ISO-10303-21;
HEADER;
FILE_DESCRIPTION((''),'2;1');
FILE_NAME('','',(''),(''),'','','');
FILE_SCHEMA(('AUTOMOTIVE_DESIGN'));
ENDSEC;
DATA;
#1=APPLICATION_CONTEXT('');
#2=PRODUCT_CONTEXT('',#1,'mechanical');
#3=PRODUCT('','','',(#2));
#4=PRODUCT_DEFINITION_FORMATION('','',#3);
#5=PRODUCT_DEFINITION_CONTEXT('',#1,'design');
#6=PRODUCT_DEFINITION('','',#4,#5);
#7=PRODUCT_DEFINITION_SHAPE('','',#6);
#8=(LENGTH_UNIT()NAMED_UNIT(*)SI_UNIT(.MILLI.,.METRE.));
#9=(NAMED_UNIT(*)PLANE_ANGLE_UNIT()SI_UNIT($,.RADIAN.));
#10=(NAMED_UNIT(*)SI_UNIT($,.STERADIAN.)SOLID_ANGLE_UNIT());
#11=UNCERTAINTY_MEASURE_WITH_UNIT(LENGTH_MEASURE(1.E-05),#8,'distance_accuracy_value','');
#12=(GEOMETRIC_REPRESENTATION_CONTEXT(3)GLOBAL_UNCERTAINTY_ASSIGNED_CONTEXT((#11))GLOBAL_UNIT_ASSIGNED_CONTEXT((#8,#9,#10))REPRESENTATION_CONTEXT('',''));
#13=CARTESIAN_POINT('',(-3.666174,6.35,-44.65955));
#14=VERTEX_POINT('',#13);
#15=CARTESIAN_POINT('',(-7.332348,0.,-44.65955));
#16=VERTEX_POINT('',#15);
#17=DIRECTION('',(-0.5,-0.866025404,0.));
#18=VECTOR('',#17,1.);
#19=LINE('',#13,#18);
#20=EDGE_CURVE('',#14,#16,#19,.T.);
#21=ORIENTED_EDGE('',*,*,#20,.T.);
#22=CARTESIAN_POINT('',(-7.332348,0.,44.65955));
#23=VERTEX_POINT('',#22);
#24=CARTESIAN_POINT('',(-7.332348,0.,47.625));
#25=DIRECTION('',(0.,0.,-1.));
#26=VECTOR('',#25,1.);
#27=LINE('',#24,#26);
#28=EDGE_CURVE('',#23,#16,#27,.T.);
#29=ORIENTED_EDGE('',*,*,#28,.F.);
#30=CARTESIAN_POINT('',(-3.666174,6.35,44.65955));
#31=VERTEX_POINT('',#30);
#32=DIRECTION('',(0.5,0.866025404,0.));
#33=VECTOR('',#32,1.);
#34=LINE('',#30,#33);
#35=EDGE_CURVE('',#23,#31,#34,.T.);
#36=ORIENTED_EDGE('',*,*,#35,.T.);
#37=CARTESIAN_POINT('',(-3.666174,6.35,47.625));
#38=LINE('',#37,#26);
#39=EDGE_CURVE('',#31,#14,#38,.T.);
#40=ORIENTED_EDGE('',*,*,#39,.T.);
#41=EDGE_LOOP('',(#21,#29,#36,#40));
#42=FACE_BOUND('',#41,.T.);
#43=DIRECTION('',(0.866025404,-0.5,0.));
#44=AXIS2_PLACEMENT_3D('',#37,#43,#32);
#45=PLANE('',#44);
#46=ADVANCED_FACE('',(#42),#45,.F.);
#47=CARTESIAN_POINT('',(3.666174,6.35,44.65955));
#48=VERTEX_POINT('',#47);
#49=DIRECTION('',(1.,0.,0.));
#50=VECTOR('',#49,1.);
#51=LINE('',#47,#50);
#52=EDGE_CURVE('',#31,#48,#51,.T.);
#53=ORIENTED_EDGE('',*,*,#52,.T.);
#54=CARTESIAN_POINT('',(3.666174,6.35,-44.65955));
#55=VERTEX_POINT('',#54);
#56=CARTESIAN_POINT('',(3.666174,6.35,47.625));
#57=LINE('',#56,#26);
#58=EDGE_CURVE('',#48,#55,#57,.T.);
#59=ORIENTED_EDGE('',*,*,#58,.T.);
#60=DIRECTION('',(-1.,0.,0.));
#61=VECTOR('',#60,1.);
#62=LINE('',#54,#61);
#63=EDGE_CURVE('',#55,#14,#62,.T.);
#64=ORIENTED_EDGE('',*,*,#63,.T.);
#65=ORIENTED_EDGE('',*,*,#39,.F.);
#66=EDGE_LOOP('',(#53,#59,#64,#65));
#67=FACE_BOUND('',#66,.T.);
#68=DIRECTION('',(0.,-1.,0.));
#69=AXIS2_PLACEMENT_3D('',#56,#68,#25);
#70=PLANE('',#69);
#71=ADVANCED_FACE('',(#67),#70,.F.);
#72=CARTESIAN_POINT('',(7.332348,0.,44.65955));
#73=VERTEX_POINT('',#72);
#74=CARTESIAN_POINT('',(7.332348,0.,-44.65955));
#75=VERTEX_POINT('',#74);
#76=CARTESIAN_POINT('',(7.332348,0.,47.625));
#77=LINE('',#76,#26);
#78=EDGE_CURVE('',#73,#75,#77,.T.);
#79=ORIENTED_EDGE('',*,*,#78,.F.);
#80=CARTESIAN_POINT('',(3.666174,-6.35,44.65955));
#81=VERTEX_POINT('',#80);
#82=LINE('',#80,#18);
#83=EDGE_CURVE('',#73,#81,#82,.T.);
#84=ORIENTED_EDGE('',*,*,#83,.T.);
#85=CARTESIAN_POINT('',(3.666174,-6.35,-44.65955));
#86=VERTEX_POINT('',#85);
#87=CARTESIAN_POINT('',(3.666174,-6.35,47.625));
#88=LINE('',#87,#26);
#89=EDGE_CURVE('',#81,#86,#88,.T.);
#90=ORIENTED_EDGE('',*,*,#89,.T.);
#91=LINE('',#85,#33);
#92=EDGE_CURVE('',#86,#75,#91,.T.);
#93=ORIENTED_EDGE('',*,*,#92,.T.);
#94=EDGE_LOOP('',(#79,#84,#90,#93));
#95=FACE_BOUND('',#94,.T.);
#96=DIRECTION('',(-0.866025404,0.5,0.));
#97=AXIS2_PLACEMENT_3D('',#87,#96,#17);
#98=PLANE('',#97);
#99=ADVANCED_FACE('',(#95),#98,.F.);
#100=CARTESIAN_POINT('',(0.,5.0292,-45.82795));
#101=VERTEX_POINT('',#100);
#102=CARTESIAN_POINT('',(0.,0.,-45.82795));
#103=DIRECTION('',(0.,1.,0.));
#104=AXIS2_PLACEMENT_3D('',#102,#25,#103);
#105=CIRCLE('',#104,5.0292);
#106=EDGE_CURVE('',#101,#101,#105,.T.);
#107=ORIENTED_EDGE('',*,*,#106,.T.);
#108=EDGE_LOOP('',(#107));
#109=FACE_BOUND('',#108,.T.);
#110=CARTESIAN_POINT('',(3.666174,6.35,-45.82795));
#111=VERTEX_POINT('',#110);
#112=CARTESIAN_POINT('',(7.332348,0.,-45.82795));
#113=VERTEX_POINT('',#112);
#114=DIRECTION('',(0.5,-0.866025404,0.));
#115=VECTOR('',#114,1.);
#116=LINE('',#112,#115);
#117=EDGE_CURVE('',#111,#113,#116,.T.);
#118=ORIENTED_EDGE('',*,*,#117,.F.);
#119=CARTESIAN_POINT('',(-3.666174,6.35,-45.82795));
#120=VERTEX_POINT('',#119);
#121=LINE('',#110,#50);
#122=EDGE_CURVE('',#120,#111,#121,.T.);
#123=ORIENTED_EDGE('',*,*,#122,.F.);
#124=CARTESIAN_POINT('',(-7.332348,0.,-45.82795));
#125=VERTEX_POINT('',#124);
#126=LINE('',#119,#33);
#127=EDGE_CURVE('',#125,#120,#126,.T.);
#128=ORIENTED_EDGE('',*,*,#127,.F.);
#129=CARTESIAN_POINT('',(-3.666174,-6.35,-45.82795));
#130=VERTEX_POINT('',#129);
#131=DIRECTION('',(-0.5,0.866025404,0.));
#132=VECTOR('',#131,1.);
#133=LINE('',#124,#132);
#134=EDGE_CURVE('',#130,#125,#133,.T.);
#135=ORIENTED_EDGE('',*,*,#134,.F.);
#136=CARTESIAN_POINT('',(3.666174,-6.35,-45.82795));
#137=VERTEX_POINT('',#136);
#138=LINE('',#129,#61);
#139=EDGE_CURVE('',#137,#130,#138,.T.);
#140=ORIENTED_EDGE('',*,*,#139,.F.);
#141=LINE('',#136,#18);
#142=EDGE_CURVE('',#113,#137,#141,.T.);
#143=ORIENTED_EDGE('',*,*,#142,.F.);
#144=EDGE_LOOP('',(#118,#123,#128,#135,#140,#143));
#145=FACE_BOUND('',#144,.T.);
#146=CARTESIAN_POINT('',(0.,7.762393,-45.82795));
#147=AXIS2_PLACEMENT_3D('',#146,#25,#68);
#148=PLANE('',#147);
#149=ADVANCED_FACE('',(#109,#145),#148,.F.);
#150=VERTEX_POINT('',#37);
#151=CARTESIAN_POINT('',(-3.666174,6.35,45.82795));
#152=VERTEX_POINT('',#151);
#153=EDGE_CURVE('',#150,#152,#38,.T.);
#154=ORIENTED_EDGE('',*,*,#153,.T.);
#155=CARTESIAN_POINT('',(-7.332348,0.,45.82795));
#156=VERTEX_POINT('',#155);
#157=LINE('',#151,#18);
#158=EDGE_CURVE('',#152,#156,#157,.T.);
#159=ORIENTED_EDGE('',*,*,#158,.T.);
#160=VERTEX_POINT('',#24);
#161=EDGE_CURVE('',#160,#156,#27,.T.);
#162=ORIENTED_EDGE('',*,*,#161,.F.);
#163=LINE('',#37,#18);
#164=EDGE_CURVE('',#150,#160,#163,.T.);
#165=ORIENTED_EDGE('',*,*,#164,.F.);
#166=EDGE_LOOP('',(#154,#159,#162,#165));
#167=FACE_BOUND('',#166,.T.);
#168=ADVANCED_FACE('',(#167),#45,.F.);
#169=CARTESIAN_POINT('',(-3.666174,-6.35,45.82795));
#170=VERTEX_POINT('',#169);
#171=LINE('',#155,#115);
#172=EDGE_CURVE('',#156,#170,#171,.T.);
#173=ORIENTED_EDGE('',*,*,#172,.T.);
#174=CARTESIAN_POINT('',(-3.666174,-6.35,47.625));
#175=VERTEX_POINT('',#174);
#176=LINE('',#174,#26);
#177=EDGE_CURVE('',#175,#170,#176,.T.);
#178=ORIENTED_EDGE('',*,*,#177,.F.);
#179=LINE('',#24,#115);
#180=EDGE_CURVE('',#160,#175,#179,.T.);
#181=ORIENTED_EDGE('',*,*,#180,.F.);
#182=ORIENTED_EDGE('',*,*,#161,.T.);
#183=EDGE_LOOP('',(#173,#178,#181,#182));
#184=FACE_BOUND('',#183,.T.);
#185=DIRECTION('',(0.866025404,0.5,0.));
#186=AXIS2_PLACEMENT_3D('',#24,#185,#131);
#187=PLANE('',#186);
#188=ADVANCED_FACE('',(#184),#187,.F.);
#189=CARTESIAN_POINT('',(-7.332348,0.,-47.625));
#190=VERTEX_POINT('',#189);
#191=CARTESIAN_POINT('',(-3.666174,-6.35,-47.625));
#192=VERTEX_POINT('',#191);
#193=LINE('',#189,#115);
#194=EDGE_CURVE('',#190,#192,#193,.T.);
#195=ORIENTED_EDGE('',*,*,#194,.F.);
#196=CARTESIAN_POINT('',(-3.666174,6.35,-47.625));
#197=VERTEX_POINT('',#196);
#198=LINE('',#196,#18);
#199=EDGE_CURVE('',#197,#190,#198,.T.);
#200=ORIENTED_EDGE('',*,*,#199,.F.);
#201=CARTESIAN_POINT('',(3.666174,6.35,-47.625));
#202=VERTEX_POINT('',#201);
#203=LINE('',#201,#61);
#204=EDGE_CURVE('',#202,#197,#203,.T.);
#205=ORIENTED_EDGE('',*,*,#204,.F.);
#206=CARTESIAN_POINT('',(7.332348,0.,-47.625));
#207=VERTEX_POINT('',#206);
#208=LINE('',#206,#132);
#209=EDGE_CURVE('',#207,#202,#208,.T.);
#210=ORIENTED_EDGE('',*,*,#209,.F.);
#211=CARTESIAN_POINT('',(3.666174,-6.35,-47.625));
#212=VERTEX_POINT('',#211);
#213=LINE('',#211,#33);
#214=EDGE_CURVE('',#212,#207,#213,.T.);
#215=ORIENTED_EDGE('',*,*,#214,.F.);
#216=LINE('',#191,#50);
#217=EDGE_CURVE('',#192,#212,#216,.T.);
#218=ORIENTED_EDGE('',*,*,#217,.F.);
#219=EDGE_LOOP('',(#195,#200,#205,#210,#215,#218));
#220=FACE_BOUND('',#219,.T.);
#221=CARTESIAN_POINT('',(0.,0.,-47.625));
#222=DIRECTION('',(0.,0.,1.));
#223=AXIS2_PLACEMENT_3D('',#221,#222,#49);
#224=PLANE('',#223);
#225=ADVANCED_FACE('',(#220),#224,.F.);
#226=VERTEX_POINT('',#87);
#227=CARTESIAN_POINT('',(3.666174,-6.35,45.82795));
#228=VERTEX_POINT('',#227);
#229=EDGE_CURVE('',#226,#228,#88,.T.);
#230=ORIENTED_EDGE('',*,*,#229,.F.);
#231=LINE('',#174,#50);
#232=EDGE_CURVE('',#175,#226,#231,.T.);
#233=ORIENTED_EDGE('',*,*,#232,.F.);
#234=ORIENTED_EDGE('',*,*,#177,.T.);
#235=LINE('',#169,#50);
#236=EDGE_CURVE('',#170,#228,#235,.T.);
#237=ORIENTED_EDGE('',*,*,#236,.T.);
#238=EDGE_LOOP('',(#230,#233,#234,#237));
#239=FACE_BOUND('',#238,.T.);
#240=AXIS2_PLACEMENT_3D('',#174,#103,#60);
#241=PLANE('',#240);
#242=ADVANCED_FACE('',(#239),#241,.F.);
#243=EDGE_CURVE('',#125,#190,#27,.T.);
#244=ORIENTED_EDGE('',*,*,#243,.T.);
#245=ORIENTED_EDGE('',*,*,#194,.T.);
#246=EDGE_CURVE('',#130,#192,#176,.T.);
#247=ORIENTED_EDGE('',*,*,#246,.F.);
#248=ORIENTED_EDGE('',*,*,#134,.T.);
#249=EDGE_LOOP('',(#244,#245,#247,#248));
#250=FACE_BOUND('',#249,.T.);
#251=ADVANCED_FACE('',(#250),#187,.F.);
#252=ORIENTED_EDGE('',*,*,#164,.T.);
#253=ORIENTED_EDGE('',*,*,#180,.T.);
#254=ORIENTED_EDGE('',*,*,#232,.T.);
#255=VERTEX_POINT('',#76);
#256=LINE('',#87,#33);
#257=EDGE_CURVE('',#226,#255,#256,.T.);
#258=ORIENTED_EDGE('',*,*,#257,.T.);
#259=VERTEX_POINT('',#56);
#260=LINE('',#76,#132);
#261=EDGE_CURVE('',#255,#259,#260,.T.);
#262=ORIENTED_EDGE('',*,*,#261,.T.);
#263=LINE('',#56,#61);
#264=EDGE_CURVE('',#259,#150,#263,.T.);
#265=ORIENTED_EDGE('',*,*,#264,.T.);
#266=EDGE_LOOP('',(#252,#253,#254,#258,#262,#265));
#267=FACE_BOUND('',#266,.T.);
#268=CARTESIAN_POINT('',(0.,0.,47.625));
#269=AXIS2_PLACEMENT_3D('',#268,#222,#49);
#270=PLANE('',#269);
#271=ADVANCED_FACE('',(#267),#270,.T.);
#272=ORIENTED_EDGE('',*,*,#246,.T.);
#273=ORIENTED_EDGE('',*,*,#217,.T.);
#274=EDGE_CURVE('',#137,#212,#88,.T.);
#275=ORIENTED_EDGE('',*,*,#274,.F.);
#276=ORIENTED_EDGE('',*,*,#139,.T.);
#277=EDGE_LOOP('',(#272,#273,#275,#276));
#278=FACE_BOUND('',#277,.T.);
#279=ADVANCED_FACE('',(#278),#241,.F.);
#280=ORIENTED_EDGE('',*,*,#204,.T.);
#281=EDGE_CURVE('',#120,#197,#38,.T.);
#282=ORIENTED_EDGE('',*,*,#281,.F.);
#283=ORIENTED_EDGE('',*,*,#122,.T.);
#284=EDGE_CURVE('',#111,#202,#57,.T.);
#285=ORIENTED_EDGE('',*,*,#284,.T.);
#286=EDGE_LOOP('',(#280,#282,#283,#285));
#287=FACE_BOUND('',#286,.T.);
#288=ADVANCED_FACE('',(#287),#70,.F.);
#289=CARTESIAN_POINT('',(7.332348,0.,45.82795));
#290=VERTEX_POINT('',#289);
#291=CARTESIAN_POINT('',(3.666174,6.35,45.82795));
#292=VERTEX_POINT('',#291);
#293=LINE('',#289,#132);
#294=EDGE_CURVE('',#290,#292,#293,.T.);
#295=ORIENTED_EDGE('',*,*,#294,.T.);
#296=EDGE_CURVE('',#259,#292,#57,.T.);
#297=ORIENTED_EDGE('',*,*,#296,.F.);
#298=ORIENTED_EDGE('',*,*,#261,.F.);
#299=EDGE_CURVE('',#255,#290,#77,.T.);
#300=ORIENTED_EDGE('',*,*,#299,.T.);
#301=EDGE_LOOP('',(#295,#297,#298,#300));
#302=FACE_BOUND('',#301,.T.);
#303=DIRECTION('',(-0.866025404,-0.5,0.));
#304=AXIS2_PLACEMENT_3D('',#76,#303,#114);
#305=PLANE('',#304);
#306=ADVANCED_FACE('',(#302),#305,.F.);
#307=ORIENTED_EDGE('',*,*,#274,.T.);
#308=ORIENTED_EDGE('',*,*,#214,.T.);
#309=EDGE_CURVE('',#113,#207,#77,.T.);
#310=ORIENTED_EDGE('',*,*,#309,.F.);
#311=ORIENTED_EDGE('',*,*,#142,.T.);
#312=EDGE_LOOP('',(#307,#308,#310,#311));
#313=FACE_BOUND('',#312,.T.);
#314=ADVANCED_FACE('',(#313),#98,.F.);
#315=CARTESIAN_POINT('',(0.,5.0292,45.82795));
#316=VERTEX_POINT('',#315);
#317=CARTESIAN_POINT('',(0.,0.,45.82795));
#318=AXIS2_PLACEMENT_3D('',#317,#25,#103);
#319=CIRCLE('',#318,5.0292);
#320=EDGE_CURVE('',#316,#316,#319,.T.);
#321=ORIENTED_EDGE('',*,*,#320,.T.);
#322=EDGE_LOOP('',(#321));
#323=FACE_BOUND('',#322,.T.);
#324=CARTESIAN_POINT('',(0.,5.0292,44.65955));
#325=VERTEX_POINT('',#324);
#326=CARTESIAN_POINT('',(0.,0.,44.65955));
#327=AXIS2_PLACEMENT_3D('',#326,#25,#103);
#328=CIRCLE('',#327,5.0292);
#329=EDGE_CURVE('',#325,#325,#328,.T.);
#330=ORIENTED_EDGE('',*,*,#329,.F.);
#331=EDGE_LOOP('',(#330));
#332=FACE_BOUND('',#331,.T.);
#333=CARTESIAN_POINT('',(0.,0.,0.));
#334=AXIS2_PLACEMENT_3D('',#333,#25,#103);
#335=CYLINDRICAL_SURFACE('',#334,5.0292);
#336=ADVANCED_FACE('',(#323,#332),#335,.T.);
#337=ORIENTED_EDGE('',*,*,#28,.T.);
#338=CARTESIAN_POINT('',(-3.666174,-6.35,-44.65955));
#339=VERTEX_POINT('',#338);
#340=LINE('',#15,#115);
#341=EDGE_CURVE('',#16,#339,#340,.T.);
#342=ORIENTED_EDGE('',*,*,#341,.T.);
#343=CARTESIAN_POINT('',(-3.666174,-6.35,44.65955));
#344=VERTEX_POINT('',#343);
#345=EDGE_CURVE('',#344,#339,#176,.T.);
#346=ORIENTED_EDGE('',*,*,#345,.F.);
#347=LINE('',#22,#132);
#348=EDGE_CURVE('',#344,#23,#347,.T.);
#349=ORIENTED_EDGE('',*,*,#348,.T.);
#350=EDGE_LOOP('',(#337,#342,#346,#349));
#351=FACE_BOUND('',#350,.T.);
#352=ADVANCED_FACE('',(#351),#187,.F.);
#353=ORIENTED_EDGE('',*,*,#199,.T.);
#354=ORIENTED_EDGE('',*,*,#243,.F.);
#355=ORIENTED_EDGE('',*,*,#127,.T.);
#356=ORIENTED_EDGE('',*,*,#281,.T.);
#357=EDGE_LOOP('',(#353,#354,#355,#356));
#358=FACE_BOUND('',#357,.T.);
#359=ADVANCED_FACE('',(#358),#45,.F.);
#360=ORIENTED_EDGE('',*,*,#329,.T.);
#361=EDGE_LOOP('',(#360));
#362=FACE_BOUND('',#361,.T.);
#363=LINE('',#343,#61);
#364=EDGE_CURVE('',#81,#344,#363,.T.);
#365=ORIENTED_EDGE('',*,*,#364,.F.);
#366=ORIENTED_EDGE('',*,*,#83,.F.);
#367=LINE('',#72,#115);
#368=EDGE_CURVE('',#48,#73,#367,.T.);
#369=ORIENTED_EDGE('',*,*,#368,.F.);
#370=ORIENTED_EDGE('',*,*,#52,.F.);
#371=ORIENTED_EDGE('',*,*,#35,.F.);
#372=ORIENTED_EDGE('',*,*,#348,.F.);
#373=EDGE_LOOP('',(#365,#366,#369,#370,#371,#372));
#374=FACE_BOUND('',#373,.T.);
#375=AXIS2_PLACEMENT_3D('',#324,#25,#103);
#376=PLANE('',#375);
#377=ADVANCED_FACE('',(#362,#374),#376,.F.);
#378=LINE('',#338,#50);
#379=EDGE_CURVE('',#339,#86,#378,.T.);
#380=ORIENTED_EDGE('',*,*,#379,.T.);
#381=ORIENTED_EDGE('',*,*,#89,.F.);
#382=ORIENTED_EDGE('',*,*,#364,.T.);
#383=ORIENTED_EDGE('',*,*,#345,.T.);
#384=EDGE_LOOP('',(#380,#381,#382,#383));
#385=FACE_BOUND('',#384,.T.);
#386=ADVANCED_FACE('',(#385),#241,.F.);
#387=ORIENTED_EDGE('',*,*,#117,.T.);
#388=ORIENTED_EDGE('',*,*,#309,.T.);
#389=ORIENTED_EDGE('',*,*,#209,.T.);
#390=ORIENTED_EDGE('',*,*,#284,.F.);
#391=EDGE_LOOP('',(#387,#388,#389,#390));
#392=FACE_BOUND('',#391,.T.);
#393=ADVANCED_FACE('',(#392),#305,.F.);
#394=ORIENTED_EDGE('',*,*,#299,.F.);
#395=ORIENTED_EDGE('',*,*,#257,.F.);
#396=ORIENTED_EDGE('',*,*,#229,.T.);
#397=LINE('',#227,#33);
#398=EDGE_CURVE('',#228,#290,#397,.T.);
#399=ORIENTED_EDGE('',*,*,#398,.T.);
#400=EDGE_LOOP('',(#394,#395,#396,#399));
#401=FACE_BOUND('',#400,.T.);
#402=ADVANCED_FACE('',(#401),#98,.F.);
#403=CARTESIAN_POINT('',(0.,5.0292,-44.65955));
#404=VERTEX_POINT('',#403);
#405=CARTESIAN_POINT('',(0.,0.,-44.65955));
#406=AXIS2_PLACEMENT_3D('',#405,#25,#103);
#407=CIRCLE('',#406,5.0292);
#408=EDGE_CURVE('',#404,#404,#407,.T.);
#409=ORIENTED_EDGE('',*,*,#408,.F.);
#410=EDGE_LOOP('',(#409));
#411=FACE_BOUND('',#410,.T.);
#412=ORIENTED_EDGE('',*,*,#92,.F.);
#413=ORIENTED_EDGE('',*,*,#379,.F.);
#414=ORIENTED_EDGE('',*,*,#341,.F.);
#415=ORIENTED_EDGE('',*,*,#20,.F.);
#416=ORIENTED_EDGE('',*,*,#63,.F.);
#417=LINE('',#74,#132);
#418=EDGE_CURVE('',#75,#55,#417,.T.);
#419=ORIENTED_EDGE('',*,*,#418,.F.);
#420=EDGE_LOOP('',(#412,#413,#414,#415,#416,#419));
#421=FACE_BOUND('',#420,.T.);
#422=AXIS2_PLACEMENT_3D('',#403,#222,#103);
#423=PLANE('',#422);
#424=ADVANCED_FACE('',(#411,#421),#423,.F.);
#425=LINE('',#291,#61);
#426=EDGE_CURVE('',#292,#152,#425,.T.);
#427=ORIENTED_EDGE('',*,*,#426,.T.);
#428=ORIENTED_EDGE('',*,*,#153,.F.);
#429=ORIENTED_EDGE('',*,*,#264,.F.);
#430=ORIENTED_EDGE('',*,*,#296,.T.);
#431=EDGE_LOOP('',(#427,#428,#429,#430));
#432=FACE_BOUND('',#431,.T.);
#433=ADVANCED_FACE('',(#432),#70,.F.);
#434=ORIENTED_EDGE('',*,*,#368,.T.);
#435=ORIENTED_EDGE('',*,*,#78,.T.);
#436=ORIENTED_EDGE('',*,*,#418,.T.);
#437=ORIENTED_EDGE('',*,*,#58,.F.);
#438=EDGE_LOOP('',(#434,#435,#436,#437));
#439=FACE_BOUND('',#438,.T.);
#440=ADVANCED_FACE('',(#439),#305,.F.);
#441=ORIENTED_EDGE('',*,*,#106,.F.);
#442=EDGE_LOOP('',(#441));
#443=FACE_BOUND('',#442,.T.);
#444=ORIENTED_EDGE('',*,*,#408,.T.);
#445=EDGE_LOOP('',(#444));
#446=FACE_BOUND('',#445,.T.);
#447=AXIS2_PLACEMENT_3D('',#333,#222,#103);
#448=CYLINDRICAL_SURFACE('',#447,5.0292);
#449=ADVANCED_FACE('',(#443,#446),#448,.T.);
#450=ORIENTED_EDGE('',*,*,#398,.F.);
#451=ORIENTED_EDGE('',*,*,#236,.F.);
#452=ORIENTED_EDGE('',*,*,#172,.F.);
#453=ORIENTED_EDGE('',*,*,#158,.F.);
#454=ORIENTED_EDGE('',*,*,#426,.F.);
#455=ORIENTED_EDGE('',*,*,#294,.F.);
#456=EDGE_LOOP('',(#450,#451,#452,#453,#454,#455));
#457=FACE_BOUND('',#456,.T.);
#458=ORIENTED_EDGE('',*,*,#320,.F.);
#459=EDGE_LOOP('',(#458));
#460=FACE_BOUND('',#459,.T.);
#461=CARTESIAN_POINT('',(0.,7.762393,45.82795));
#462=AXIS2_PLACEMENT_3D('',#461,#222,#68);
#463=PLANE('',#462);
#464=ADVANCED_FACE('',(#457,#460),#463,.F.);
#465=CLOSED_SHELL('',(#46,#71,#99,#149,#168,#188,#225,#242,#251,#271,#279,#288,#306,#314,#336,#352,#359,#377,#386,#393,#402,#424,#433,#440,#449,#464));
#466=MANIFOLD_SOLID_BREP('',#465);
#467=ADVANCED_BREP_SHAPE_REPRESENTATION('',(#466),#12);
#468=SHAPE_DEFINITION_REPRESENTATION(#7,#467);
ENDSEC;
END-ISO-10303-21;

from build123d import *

# Parameters (mm, degrees)
BOSS_EXTRUDE1_DEPTH = 47.625
SKETCH2_W           = 1.1684
SKETCH2_H           = 2.733192613


with BuildPart() as part:
    # Sketch1 → Boss-Extrude1 (new, symmetric)
    with BuildSketch(Plane.XY):
        Polygon((-3.666174209, 6.35), (-7.332348419, 0), (-3.666174209, -6.35), (3.666174209, -6.35), (7.332348419, 0), (3.666174209, 6.35), align=None)
    extrude(amount=BOSS_EXTRUDE1_DEPTH, both=True)

    # Sketch2 → Cut-Revolve1 (revolve, cut)
    with BuildSketch(Plane(origin=(0, 0, 0), x_dir=(0, 0, -1), z_dir=(1, 0, 0))):
        with Locations((-45.24375, 6.395796307)):
            Rectangle(SKETCH2_W, SKETCH2_H)
    cut_revolve1 = revolve(axis=Axis((0, 0, 0), (0, 0, 1)), mode=Mode.SUBTRACT)

    # Mirror1: Cut-Revolve1 across plane
    add(cut_revolve1.mirror(Plane.XY), mode=Mode.SUBTRACT)


solid = part.part
